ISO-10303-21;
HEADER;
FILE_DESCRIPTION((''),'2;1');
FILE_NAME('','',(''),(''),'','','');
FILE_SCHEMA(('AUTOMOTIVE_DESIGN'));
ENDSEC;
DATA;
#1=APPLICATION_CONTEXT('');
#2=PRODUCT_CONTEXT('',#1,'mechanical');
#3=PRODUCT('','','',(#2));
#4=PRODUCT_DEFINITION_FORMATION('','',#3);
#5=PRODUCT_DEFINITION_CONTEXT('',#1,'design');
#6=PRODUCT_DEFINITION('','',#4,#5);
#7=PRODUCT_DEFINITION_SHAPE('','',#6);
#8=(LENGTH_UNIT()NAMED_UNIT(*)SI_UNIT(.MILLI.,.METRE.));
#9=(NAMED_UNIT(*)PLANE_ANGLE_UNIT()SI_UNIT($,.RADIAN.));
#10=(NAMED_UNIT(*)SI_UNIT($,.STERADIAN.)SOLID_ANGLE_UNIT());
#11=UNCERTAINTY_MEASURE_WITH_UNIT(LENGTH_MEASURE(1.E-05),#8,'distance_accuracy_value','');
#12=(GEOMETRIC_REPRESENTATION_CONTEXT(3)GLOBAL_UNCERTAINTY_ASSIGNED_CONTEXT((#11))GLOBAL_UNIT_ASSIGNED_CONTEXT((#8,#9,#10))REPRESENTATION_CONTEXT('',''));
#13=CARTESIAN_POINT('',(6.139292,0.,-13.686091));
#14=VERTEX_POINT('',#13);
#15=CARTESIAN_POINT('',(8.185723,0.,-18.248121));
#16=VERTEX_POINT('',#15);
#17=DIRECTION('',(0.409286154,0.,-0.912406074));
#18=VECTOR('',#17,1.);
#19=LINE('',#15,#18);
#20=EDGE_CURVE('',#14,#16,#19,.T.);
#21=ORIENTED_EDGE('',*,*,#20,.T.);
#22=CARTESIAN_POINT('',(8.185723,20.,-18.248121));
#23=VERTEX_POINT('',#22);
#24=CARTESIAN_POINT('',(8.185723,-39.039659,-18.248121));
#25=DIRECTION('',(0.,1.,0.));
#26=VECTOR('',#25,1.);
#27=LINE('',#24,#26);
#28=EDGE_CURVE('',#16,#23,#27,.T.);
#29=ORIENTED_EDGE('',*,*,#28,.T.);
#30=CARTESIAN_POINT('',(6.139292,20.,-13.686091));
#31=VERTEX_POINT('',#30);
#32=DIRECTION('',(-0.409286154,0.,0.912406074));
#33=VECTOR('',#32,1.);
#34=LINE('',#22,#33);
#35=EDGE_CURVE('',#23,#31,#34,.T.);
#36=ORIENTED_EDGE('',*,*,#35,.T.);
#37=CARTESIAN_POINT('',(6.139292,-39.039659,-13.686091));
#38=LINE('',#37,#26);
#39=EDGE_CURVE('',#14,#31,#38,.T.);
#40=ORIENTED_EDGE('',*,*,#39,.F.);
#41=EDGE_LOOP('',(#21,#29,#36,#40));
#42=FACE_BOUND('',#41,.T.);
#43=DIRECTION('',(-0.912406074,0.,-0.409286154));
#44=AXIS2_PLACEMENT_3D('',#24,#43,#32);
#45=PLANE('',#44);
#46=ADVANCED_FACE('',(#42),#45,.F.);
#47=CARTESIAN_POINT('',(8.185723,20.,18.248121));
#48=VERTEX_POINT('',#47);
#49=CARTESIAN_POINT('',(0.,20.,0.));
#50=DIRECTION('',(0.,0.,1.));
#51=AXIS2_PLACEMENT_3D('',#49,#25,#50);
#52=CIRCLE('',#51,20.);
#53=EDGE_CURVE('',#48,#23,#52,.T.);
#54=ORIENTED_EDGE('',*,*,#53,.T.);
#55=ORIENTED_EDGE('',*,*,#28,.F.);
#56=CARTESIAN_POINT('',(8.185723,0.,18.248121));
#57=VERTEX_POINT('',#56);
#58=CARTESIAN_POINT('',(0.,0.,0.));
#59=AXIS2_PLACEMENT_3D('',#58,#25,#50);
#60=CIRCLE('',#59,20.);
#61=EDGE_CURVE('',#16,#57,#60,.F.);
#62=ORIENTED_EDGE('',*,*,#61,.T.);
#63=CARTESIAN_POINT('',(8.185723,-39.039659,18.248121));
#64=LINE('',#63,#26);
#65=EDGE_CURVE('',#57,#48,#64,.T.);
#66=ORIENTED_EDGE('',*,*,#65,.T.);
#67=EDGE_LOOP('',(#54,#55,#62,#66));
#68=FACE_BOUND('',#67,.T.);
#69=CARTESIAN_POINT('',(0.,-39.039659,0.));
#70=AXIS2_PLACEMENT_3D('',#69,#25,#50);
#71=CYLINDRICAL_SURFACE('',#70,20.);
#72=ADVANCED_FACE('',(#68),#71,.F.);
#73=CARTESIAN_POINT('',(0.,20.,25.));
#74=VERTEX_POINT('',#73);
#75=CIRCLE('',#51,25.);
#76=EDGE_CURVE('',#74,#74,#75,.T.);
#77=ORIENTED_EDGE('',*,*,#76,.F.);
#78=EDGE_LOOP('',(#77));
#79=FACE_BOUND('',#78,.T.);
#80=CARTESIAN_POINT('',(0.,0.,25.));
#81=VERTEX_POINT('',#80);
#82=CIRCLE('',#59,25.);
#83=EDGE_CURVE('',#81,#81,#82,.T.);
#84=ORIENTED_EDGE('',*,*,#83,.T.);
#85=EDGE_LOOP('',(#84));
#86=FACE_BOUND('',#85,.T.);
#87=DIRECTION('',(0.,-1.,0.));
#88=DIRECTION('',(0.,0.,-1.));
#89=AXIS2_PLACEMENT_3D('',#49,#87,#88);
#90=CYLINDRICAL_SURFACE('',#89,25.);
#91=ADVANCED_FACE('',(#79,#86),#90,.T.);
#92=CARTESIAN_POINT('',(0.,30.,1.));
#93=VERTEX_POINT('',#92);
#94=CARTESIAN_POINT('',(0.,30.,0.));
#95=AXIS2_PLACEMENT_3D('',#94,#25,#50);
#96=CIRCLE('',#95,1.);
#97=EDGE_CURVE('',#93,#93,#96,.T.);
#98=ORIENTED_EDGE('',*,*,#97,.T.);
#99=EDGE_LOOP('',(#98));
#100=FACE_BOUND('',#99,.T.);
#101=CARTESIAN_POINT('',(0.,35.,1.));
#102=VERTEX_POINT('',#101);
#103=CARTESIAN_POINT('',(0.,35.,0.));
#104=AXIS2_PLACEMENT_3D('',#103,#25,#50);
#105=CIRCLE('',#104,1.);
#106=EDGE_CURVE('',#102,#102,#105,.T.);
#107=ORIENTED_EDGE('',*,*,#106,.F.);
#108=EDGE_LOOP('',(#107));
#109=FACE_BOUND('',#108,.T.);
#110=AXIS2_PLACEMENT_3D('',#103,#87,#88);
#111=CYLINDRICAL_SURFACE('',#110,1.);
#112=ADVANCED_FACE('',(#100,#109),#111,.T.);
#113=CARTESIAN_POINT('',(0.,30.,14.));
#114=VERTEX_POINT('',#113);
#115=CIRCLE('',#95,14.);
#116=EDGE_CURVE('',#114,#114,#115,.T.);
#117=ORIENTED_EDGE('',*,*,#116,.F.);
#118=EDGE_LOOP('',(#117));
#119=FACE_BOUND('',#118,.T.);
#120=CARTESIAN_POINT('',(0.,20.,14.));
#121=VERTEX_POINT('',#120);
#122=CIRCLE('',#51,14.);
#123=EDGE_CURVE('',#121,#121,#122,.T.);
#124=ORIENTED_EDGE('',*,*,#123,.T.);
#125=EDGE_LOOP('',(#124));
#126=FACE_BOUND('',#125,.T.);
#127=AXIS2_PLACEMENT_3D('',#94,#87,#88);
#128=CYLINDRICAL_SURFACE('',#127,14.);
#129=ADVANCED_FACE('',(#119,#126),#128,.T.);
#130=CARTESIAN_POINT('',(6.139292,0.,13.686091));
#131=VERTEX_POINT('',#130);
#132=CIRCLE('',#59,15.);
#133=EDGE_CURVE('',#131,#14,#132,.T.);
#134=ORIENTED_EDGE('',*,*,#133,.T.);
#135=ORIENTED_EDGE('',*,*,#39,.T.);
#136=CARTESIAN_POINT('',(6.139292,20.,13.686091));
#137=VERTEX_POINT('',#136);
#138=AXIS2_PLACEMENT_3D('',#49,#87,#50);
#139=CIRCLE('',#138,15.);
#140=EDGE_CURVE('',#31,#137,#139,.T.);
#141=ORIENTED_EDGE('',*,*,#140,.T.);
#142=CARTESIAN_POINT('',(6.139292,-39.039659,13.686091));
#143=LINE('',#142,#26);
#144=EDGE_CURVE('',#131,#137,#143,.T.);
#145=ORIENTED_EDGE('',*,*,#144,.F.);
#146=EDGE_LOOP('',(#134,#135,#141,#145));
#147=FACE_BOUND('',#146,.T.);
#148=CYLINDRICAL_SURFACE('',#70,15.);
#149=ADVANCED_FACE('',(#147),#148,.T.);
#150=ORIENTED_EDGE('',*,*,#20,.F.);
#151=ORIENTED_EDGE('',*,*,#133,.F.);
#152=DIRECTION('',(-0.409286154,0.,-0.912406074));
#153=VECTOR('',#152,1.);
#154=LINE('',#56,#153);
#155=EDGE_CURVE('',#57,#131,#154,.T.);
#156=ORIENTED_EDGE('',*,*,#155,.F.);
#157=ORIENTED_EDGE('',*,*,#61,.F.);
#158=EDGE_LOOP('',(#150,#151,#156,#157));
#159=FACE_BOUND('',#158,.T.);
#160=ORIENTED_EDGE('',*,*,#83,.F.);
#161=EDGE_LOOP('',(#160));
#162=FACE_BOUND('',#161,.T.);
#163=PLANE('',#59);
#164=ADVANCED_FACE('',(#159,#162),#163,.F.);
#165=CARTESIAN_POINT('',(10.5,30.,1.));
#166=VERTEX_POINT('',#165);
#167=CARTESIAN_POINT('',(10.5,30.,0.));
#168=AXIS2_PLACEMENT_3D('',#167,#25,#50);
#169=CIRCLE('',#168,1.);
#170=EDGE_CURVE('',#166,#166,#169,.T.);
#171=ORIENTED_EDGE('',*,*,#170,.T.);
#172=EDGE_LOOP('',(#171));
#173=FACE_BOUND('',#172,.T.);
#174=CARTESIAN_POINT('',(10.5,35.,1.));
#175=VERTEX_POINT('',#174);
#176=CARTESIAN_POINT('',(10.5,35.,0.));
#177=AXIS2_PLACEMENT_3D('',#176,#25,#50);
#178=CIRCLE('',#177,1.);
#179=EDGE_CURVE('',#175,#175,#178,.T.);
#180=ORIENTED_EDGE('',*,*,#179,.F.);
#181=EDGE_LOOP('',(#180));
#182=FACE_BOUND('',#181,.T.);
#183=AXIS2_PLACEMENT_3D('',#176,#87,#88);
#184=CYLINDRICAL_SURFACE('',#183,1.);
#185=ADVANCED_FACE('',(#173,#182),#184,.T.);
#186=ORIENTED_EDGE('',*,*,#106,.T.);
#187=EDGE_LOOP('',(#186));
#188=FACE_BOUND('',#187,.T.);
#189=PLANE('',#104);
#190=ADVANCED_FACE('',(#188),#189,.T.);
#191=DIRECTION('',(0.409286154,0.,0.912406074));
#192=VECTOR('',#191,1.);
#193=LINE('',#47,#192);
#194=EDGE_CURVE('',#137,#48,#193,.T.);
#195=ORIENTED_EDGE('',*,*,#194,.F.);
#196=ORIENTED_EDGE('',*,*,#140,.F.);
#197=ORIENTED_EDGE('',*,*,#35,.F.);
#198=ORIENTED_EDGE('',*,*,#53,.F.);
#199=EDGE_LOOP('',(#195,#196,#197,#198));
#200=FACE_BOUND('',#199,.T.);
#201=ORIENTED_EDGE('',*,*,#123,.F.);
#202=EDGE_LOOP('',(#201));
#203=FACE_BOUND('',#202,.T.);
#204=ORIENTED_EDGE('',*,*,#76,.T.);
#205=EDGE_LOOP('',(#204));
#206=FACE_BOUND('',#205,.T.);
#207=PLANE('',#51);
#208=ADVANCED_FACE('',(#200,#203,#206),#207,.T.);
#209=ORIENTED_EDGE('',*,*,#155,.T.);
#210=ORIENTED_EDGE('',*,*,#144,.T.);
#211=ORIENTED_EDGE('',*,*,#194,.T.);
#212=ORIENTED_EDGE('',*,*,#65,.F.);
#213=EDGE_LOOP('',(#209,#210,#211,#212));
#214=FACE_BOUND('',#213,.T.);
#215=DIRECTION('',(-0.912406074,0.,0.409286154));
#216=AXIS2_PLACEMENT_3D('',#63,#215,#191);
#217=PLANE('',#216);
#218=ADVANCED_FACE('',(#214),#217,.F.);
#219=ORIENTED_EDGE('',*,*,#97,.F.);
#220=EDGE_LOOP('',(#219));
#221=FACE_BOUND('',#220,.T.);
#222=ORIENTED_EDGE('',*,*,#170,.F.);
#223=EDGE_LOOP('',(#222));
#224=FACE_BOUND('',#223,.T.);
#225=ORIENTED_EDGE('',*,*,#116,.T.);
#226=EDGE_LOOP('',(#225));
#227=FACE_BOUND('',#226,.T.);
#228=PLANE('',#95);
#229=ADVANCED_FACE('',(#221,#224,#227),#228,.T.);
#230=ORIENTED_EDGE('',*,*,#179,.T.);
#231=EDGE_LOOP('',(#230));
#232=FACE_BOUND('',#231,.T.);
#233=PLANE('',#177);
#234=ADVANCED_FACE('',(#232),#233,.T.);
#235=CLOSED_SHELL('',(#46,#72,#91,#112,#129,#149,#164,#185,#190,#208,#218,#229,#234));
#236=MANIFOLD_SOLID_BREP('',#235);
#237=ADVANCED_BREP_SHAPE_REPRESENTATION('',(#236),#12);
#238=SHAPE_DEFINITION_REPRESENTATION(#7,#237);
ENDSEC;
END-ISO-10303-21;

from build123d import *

# Parameters (mm, degrees)
RESSALTO_EXTRUS_O2_DEPTH = 20
ESBO_O3_R                = 14
BOSS_EXTRUDE1_DEPTH      = 10
SKETCH2_R                = 1
BOSS_EXTRUDE2_DEPTH      = 5
CUT_EXTRUDE2_DEPTH       = 20


with BuildPart() as part:
    # Esboço1 → Ressalto-extrusão2 (new body)
    with BuildSketch(Plane(origin=(0, 0, 0), x_dir=(1, 0, 0), z_dir=(0, 1, 0))):
        with BuildLine():
            ThreePointArc((-12.5, -21.650635095), (0, -25), (12.5, -21.650635095))
            ThreePointArc((12.5, -21.650635095), (21.650635095, -12.5), (25, 0))
            ThreePointArc((25, 0), (-12.5, 21.650635095), (-12.5, -21.650635095))
        make_face()
    extrude(amount=RESSALTO_EXTRUS_O2_DEPTH)

    # Esboço3 → Boss-Extrude1 (add)
    with BuildSketch(Plane(origin=(0, 20, 0), x_dir=(1, 0, 0), z_dir=(0, 1, 0))):
        with Locations(Location((0, 0, 0), (0, 0, 270))):
            Circle(ESBO_O3_R)
    extrude(amount=BOSS_EXTRUDE1_DEPTH)

    # Sketch2 → Boss-Extrude2 (add)
    with BuildSketch(Plane(origin=(0, 30, 0), x_dir=(1, 0, 0), z_dir=(0, 1, 0))):
        with Locations(Location((0, 0, 0), (0, 0, 270))):
            Circle(SKETCH2_R)
        with Locations(Location((10.5, 0, 0), (0, 0, 270))):
            Circle(SKETCH2_R)
    extrude(amount=BOSS_EXTRUDE2_DEPTH)

    # Sketch3 → Cut-Extrude2 (cut)
    with BuildSketch(Plane(origin=(0, 20, 0), x_dir=(1, 0, 0), z_dir=(0, 1, 0))):
        with BuildLine():
            Line((8.185723081, -18.248121483), (6.13929231, -13.686091112))
            ThreePointArc((6.13929231, -13.686091112), (15, 0), (6.13929231, 13.686091112))
            Line((6.13929231, 13.686091112), (8.185723081, 18.248121483))
            ThreePointArc((8.185723081, 18.248121483), (20, 0), (8.185723081, -18.248121483))
        make_face()
    extrude(amount=-CUT_EXTRUDE2_DEPTH, mode=Mode.SUBTRACT)


solid = part.part
